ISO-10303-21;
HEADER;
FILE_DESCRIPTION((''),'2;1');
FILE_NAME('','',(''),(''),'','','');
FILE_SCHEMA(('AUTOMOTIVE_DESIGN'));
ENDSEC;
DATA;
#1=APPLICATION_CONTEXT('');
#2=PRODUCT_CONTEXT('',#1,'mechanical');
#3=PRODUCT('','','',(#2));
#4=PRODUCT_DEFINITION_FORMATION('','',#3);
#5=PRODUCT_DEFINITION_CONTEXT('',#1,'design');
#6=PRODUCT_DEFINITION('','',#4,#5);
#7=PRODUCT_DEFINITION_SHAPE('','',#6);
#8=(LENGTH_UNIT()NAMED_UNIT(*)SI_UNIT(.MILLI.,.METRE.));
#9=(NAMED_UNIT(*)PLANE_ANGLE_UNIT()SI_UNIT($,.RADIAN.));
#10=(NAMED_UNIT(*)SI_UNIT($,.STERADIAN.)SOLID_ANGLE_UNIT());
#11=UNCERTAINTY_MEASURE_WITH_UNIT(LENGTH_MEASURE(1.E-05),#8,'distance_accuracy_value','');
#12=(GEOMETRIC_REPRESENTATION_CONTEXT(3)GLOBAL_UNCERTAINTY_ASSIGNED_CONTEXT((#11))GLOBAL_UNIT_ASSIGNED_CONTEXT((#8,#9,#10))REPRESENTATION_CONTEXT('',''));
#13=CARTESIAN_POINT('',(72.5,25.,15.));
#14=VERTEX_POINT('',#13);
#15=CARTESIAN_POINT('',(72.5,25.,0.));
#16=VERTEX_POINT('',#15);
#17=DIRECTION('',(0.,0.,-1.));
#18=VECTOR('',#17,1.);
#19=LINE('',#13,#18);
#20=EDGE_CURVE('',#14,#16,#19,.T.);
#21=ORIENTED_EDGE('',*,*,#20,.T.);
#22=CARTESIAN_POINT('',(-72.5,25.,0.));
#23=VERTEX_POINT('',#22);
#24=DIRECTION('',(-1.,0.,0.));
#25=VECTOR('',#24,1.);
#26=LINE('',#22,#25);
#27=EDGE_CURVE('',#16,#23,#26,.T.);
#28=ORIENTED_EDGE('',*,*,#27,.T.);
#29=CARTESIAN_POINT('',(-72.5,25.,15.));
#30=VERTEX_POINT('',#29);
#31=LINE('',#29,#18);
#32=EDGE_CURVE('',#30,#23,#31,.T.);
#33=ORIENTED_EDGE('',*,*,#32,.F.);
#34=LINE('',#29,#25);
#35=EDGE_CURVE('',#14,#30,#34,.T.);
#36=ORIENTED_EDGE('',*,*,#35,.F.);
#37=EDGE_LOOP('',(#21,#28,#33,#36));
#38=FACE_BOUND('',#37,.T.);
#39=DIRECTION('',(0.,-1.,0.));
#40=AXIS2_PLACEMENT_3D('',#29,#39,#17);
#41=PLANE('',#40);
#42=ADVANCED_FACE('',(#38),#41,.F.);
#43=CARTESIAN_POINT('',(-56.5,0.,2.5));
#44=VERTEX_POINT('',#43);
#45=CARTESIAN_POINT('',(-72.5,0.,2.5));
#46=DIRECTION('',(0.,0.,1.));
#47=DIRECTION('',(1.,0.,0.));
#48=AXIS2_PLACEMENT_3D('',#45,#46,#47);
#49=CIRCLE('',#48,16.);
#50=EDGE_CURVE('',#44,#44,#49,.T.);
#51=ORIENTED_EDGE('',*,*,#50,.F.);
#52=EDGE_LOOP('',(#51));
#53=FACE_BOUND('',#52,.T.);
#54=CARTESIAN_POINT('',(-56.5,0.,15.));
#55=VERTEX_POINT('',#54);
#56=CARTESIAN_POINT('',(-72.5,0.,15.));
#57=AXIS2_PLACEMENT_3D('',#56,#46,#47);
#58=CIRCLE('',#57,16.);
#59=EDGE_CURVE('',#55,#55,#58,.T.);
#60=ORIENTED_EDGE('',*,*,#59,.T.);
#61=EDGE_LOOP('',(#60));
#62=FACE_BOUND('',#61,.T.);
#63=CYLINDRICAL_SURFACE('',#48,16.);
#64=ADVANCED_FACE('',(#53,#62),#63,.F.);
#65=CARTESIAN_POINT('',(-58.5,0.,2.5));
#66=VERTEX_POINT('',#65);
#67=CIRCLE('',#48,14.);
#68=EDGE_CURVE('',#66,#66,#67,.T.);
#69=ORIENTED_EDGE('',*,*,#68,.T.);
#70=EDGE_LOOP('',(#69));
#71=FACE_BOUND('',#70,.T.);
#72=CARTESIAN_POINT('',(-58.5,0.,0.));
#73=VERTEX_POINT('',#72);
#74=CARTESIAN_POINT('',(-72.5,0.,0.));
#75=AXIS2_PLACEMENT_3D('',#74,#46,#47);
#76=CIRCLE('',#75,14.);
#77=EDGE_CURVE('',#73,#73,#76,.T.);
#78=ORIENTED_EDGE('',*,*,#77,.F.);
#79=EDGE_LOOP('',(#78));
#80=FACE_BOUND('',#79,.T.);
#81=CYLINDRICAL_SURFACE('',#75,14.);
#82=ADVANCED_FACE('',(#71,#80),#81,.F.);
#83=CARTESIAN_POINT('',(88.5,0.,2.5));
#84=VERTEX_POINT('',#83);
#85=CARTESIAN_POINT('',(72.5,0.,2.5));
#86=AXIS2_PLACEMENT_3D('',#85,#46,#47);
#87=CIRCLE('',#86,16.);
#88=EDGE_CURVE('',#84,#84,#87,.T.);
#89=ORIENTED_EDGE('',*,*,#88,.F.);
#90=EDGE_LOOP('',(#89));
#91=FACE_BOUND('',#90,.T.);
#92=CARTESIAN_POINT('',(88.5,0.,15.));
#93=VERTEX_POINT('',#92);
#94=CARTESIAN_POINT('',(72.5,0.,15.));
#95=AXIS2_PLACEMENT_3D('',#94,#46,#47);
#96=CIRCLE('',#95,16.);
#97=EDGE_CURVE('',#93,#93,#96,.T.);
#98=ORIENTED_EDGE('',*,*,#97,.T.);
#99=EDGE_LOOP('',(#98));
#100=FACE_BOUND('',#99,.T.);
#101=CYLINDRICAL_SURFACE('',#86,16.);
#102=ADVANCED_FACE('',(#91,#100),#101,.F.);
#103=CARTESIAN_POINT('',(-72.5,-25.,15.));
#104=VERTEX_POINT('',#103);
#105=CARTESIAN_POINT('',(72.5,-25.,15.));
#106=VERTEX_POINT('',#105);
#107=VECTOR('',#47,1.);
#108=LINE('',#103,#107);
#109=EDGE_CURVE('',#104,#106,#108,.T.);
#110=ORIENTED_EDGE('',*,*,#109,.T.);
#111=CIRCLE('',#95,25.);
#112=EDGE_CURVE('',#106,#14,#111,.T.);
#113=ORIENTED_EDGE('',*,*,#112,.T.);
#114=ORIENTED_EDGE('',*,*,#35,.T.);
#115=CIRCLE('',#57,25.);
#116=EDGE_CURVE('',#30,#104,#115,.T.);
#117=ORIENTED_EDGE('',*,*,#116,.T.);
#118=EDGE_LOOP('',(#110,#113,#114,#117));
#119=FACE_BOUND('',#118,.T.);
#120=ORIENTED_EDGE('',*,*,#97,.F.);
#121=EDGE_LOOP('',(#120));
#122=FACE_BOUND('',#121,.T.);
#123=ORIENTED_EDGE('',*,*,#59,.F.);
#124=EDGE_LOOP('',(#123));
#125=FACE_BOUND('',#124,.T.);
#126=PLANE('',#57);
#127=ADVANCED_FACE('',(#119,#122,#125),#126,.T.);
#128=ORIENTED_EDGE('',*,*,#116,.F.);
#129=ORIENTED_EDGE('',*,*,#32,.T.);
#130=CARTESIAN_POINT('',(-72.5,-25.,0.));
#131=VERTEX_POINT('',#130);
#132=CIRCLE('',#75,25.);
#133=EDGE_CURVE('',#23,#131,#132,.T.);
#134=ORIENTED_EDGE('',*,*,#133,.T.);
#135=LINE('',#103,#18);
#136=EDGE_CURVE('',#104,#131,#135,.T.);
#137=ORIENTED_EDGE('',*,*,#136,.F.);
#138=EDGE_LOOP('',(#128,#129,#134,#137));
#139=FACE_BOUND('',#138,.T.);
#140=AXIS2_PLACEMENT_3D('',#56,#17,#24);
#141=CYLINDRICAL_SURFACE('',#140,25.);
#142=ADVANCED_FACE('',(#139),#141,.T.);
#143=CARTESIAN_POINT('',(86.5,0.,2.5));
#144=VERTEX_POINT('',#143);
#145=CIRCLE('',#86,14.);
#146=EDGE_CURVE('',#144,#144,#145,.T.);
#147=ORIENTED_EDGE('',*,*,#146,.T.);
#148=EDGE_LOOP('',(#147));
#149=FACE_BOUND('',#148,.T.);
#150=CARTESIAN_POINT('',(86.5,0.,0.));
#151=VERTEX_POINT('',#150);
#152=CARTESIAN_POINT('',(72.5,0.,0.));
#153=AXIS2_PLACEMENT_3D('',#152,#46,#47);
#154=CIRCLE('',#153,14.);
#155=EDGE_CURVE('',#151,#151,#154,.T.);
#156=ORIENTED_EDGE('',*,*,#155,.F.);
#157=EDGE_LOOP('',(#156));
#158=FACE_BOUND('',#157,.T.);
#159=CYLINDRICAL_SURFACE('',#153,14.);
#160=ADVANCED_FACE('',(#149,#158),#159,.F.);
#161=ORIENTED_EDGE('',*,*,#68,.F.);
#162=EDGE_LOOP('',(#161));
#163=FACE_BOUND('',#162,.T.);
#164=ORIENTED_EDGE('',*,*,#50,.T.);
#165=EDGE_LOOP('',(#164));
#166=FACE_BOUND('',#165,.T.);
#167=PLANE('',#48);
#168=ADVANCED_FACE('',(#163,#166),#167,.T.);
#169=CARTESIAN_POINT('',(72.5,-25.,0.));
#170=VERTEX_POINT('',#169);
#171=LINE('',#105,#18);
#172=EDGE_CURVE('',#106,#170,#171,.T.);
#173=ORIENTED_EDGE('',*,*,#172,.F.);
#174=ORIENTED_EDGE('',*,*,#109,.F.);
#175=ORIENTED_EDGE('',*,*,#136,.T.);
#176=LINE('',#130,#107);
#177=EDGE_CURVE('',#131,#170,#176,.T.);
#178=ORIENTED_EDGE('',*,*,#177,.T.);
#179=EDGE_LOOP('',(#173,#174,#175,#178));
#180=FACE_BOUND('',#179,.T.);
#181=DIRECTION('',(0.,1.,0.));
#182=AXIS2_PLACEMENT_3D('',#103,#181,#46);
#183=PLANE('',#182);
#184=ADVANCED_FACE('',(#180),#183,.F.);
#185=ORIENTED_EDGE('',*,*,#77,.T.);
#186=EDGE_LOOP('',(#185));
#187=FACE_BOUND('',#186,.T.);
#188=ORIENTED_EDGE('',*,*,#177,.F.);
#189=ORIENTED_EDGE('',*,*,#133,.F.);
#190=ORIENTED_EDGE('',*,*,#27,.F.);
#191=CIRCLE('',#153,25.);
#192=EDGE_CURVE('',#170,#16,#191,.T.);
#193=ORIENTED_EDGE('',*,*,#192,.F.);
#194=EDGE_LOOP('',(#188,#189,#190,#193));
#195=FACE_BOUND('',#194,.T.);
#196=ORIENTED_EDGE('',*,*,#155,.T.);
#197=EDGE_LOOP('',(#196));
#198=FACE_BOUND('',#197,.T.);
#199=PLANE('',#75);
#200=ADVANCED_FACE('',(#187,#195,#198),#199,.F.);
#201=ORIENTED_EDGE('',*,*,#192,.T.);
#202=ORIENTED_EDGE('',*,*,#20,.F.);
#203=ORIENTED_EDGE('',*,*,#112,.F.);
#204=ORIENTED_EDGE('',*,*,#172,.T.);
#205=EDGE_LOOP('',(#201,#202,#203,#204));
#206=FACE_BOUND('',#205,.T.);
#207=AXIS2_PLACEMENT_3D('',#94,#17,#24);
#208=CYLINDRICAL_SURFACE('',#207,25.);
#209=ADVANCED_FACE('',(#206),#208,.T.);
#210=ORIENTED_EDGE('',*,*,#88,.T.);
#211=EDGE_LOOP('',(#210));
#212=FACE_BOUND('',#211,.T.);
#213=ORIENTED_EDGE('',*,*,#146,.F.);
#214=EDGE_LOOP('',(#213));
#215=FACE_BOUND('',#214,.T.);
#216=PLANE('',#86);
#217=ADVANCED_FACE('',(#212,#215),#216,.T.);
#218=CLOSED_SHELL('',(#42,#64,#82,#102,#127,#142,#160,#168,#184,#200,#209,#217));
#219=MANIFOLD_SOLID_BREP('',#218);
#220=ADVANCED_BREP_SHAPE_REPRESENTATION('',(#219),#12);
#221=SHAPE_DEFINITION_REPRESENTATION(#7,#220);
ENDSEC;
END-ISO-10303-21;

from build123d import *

# Parameters (mm, degrees)
EXTRUDE_1_DEPTH          = 15
SKETCH_2_R               = 16
CUT_EXTRUDE_1_DEPTH      = 12.5
SKETCH_3_R               = 14
CUT_EXTRUDE_2_DEPTH      = 1
CUT_EXTRUDE_2_DEPTH_BACK = 16


with BuildPart() as part:
    # 草图1 → 凸台-拉伸1 (new body)
    with BuildSketch(Plane.XY):
        with BuildLine():
            Line((-72.5, 25), (72.5, 25))
            ThreePointArc((72.5, 25), (97.5, 0), (72.5, -25))
            Line((72.5, -25), (-72.5, -25))
            ThreePointArc((-72.5, -25), (-97.5, 0), (-72.5, 25))
        make_face()
    extrude(amount=EXTRUDE_1_DEPTH)

    # 草图2 → 切除-拉伸1 (cut)
    with BuildSketch(Plane.XY.offset(15)):
        with Locations((-72.5, 0)):
            Circle(SKETCH_2_R)
        with Locations((72.5, 0)):
            Circle(SKETCH_2_R)
    extrude(amount=-CUT_EXTRUDE_1_DEPTH, mode=Mode.SUBTRACT)

    # 草图3 → 切除-拉伸2 (cut, two sides)
    with BuildSketch(Plane.XY.offset(15)) as cut_extrude_2_sk:
        with Locations((-72.5, 0)):
            Circle(SKETCH_3_R)
        with Locations((72.5, 0)):
            Circle(SKETCH_3_R)
    extrude(amount=CUT_EXTRUDE_2_DEPTH, mode=Mode.SUBTRACT)
    extrude(cut_extrude_2_sk.sketch, amount=-CUT_EXTRUDE_2_DEPTH_BACK, mode=Mode.SUBTRACT)


solid = part.part
